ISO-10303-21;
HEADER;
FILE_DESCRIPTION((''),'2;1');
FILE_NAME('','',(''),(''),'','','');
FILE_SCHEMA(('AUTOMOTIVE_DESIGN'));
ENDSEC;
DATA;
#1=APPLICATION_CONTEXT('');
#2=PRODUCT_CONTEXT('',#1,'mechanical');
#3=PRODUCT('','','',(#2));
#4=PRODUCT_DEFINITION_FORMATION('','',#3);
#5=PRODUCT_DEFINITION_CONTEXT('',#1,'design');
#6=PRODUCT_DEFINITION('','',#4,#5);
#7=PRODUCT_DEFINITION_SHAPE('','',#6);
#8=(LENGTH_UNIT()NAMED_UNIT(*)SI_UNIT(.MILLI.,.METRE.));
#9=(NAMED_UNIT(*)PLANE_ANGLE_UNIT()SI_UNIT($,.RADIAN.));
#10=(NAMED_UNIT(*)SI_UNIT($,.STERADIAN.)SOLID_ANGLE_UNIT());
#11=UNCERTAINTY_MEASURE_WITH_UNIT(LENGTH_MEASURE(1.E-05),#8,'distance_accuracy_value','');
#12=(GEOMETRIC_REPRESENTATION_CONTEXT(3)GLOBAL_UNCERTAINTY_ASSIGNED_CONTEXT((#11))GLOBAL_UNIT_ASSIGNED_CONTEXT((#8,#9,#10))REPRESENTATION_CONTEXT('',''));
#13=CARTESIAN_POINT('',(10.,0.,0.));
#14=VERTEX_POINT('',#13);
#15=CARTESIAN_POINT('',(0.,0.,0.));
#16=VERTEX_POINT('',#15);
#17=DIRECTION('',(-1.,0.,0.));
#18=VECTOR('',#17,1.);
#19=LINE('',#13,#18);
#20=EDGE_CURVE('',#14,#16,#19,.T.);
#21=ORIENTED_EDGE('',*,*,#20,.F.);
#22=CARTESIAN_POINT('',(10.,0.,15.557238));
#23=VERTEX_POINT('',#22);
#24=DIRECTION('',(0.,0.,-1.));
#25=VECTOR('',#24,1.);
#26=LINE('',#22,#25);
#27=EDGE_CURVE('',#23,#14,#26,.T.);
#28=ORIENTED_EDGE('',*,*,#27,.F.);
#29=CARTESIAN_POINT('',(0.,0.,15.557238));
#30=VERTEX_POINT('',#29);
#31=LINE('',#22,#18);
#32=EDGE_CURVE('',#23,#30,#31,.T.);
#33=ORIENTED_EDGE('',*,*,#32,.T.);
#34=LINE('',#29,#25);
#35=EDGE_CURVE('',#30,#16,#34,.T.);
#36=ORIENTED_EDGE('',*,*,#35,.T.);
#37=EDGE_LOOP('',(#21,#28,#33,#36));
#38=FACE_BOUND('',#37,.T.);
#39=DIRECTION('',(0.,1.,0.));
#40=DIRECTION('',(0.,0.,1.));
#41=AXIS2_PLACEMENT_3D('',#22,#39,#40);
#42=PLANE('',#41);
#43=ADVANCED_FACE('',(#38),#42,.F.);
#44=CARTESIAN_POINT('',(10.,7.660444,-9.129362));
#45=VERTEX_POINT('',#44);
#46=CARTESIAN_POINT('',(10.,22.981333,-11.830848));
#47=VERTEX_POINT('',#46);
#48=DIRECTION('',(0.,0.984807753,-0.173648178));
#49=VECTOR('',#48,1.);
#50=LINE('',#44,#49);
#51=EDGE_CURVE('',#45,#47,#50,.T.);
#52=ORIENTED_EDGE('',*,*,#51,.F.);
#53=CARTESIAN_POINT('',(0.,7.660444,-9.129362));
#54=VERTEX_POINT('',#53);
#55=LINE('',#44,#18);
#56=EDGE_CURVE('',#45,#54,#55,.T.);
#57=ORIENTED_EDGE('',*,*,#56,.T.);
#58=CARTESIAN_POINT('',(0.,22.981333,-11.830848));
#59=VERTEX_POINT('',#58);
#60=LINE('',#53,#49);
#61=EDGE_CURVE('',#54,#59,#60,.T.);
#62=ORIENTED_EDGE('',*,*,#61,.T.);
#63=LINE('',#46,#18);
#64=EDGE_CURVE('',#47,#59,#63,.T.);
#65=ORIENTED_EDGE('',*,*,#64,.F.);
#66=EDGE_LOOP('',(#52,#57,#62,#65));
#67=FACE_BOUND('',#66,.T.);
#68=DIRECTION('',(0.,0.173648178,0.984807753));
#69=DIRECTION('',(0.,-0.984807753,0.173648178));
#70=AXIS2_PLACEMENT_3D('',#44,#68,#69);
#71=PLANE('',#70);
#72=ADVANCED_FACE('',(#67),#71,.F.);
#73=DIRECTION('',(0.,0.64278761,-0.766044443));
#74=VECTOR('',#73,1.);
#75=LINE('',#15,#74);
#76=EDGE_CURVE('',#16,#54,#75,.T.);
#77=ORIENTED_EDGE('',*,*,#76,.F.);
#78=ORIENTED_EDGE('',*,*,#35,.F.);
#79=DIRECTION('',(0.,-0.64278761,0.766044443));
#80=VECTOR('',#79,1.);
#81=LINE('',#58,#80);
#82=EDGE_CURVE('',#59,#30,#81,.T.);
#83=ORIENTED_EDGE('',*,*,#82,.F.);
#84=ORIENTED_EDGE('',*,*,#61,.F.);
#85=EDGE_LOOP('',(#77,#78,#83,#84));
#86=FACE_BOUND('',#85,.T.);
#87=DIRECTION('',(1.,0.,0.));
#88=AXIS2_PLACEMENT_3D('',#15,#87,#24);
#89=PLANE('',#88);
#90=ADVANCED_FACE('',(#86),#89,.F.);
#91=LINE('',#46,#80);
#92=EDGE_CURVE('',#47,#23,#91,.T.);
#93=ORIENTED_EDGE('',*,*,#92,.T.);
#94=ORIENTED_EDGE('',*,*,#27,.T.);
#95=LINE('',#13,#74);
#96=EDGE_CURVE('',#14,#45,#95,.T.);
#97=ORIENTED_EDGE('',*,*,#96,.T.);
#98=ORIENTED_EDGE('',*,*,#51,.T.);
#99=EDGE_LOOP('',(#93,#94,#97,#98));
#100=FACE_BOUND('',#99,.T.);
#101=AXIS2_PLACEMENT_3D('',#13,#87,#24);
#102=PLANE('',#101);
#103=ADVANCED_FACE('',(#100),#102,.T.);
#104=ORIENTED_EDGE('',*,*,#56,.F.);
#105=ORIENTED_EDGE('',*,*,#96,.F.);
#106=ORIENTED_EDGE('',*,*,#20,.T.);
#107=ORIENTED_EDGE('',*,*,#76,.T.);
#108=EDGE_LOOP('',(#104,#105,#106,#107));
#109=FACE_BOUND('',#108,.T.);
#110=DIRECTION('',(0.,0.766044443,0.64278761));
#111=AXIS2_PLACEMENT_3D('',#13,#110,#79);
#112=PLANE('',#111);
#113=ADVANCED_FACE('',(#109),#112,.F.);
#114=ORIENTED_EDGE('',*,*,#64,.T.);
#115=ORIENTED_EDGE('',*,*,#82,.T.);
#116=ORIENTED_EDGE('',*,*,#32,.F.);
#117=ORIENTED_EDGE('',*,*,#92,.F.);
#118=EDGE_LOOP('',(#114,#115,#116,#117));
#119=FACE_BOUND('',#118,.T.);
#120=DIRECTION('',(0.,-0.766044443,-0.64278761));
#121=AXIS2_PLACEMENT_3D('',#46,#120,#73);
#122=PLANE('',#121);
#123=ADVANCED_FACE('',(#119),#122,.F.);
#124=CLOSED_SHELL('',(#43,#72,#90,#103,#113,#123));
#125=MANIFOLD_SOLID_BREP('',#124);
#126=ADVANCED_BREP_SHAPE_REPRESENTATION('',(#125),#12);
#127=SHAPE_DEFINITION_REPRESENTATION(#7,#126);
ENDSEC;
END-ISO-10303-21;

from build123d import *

# Parameters (mm, degrees)
BOSS_EXTRUDE1_DEPTH = 10


with BuildPart() as part:
    # Sketch1 → Boss-Extrude1 (new body)
    with BuildSketch(Plane(origin=(0, 0, 0), x_dir=(0, 0, -1), z_dir=(1, 0, 0))):
        Polygon((-15.557238269, 0), (0, 0), (9.129362172, 7.660444431), (11.830848247, 22.981333294), align=None)
    extrude(amount=BOSS_EXTRUDE1_DEPTH)


solid = part.part
